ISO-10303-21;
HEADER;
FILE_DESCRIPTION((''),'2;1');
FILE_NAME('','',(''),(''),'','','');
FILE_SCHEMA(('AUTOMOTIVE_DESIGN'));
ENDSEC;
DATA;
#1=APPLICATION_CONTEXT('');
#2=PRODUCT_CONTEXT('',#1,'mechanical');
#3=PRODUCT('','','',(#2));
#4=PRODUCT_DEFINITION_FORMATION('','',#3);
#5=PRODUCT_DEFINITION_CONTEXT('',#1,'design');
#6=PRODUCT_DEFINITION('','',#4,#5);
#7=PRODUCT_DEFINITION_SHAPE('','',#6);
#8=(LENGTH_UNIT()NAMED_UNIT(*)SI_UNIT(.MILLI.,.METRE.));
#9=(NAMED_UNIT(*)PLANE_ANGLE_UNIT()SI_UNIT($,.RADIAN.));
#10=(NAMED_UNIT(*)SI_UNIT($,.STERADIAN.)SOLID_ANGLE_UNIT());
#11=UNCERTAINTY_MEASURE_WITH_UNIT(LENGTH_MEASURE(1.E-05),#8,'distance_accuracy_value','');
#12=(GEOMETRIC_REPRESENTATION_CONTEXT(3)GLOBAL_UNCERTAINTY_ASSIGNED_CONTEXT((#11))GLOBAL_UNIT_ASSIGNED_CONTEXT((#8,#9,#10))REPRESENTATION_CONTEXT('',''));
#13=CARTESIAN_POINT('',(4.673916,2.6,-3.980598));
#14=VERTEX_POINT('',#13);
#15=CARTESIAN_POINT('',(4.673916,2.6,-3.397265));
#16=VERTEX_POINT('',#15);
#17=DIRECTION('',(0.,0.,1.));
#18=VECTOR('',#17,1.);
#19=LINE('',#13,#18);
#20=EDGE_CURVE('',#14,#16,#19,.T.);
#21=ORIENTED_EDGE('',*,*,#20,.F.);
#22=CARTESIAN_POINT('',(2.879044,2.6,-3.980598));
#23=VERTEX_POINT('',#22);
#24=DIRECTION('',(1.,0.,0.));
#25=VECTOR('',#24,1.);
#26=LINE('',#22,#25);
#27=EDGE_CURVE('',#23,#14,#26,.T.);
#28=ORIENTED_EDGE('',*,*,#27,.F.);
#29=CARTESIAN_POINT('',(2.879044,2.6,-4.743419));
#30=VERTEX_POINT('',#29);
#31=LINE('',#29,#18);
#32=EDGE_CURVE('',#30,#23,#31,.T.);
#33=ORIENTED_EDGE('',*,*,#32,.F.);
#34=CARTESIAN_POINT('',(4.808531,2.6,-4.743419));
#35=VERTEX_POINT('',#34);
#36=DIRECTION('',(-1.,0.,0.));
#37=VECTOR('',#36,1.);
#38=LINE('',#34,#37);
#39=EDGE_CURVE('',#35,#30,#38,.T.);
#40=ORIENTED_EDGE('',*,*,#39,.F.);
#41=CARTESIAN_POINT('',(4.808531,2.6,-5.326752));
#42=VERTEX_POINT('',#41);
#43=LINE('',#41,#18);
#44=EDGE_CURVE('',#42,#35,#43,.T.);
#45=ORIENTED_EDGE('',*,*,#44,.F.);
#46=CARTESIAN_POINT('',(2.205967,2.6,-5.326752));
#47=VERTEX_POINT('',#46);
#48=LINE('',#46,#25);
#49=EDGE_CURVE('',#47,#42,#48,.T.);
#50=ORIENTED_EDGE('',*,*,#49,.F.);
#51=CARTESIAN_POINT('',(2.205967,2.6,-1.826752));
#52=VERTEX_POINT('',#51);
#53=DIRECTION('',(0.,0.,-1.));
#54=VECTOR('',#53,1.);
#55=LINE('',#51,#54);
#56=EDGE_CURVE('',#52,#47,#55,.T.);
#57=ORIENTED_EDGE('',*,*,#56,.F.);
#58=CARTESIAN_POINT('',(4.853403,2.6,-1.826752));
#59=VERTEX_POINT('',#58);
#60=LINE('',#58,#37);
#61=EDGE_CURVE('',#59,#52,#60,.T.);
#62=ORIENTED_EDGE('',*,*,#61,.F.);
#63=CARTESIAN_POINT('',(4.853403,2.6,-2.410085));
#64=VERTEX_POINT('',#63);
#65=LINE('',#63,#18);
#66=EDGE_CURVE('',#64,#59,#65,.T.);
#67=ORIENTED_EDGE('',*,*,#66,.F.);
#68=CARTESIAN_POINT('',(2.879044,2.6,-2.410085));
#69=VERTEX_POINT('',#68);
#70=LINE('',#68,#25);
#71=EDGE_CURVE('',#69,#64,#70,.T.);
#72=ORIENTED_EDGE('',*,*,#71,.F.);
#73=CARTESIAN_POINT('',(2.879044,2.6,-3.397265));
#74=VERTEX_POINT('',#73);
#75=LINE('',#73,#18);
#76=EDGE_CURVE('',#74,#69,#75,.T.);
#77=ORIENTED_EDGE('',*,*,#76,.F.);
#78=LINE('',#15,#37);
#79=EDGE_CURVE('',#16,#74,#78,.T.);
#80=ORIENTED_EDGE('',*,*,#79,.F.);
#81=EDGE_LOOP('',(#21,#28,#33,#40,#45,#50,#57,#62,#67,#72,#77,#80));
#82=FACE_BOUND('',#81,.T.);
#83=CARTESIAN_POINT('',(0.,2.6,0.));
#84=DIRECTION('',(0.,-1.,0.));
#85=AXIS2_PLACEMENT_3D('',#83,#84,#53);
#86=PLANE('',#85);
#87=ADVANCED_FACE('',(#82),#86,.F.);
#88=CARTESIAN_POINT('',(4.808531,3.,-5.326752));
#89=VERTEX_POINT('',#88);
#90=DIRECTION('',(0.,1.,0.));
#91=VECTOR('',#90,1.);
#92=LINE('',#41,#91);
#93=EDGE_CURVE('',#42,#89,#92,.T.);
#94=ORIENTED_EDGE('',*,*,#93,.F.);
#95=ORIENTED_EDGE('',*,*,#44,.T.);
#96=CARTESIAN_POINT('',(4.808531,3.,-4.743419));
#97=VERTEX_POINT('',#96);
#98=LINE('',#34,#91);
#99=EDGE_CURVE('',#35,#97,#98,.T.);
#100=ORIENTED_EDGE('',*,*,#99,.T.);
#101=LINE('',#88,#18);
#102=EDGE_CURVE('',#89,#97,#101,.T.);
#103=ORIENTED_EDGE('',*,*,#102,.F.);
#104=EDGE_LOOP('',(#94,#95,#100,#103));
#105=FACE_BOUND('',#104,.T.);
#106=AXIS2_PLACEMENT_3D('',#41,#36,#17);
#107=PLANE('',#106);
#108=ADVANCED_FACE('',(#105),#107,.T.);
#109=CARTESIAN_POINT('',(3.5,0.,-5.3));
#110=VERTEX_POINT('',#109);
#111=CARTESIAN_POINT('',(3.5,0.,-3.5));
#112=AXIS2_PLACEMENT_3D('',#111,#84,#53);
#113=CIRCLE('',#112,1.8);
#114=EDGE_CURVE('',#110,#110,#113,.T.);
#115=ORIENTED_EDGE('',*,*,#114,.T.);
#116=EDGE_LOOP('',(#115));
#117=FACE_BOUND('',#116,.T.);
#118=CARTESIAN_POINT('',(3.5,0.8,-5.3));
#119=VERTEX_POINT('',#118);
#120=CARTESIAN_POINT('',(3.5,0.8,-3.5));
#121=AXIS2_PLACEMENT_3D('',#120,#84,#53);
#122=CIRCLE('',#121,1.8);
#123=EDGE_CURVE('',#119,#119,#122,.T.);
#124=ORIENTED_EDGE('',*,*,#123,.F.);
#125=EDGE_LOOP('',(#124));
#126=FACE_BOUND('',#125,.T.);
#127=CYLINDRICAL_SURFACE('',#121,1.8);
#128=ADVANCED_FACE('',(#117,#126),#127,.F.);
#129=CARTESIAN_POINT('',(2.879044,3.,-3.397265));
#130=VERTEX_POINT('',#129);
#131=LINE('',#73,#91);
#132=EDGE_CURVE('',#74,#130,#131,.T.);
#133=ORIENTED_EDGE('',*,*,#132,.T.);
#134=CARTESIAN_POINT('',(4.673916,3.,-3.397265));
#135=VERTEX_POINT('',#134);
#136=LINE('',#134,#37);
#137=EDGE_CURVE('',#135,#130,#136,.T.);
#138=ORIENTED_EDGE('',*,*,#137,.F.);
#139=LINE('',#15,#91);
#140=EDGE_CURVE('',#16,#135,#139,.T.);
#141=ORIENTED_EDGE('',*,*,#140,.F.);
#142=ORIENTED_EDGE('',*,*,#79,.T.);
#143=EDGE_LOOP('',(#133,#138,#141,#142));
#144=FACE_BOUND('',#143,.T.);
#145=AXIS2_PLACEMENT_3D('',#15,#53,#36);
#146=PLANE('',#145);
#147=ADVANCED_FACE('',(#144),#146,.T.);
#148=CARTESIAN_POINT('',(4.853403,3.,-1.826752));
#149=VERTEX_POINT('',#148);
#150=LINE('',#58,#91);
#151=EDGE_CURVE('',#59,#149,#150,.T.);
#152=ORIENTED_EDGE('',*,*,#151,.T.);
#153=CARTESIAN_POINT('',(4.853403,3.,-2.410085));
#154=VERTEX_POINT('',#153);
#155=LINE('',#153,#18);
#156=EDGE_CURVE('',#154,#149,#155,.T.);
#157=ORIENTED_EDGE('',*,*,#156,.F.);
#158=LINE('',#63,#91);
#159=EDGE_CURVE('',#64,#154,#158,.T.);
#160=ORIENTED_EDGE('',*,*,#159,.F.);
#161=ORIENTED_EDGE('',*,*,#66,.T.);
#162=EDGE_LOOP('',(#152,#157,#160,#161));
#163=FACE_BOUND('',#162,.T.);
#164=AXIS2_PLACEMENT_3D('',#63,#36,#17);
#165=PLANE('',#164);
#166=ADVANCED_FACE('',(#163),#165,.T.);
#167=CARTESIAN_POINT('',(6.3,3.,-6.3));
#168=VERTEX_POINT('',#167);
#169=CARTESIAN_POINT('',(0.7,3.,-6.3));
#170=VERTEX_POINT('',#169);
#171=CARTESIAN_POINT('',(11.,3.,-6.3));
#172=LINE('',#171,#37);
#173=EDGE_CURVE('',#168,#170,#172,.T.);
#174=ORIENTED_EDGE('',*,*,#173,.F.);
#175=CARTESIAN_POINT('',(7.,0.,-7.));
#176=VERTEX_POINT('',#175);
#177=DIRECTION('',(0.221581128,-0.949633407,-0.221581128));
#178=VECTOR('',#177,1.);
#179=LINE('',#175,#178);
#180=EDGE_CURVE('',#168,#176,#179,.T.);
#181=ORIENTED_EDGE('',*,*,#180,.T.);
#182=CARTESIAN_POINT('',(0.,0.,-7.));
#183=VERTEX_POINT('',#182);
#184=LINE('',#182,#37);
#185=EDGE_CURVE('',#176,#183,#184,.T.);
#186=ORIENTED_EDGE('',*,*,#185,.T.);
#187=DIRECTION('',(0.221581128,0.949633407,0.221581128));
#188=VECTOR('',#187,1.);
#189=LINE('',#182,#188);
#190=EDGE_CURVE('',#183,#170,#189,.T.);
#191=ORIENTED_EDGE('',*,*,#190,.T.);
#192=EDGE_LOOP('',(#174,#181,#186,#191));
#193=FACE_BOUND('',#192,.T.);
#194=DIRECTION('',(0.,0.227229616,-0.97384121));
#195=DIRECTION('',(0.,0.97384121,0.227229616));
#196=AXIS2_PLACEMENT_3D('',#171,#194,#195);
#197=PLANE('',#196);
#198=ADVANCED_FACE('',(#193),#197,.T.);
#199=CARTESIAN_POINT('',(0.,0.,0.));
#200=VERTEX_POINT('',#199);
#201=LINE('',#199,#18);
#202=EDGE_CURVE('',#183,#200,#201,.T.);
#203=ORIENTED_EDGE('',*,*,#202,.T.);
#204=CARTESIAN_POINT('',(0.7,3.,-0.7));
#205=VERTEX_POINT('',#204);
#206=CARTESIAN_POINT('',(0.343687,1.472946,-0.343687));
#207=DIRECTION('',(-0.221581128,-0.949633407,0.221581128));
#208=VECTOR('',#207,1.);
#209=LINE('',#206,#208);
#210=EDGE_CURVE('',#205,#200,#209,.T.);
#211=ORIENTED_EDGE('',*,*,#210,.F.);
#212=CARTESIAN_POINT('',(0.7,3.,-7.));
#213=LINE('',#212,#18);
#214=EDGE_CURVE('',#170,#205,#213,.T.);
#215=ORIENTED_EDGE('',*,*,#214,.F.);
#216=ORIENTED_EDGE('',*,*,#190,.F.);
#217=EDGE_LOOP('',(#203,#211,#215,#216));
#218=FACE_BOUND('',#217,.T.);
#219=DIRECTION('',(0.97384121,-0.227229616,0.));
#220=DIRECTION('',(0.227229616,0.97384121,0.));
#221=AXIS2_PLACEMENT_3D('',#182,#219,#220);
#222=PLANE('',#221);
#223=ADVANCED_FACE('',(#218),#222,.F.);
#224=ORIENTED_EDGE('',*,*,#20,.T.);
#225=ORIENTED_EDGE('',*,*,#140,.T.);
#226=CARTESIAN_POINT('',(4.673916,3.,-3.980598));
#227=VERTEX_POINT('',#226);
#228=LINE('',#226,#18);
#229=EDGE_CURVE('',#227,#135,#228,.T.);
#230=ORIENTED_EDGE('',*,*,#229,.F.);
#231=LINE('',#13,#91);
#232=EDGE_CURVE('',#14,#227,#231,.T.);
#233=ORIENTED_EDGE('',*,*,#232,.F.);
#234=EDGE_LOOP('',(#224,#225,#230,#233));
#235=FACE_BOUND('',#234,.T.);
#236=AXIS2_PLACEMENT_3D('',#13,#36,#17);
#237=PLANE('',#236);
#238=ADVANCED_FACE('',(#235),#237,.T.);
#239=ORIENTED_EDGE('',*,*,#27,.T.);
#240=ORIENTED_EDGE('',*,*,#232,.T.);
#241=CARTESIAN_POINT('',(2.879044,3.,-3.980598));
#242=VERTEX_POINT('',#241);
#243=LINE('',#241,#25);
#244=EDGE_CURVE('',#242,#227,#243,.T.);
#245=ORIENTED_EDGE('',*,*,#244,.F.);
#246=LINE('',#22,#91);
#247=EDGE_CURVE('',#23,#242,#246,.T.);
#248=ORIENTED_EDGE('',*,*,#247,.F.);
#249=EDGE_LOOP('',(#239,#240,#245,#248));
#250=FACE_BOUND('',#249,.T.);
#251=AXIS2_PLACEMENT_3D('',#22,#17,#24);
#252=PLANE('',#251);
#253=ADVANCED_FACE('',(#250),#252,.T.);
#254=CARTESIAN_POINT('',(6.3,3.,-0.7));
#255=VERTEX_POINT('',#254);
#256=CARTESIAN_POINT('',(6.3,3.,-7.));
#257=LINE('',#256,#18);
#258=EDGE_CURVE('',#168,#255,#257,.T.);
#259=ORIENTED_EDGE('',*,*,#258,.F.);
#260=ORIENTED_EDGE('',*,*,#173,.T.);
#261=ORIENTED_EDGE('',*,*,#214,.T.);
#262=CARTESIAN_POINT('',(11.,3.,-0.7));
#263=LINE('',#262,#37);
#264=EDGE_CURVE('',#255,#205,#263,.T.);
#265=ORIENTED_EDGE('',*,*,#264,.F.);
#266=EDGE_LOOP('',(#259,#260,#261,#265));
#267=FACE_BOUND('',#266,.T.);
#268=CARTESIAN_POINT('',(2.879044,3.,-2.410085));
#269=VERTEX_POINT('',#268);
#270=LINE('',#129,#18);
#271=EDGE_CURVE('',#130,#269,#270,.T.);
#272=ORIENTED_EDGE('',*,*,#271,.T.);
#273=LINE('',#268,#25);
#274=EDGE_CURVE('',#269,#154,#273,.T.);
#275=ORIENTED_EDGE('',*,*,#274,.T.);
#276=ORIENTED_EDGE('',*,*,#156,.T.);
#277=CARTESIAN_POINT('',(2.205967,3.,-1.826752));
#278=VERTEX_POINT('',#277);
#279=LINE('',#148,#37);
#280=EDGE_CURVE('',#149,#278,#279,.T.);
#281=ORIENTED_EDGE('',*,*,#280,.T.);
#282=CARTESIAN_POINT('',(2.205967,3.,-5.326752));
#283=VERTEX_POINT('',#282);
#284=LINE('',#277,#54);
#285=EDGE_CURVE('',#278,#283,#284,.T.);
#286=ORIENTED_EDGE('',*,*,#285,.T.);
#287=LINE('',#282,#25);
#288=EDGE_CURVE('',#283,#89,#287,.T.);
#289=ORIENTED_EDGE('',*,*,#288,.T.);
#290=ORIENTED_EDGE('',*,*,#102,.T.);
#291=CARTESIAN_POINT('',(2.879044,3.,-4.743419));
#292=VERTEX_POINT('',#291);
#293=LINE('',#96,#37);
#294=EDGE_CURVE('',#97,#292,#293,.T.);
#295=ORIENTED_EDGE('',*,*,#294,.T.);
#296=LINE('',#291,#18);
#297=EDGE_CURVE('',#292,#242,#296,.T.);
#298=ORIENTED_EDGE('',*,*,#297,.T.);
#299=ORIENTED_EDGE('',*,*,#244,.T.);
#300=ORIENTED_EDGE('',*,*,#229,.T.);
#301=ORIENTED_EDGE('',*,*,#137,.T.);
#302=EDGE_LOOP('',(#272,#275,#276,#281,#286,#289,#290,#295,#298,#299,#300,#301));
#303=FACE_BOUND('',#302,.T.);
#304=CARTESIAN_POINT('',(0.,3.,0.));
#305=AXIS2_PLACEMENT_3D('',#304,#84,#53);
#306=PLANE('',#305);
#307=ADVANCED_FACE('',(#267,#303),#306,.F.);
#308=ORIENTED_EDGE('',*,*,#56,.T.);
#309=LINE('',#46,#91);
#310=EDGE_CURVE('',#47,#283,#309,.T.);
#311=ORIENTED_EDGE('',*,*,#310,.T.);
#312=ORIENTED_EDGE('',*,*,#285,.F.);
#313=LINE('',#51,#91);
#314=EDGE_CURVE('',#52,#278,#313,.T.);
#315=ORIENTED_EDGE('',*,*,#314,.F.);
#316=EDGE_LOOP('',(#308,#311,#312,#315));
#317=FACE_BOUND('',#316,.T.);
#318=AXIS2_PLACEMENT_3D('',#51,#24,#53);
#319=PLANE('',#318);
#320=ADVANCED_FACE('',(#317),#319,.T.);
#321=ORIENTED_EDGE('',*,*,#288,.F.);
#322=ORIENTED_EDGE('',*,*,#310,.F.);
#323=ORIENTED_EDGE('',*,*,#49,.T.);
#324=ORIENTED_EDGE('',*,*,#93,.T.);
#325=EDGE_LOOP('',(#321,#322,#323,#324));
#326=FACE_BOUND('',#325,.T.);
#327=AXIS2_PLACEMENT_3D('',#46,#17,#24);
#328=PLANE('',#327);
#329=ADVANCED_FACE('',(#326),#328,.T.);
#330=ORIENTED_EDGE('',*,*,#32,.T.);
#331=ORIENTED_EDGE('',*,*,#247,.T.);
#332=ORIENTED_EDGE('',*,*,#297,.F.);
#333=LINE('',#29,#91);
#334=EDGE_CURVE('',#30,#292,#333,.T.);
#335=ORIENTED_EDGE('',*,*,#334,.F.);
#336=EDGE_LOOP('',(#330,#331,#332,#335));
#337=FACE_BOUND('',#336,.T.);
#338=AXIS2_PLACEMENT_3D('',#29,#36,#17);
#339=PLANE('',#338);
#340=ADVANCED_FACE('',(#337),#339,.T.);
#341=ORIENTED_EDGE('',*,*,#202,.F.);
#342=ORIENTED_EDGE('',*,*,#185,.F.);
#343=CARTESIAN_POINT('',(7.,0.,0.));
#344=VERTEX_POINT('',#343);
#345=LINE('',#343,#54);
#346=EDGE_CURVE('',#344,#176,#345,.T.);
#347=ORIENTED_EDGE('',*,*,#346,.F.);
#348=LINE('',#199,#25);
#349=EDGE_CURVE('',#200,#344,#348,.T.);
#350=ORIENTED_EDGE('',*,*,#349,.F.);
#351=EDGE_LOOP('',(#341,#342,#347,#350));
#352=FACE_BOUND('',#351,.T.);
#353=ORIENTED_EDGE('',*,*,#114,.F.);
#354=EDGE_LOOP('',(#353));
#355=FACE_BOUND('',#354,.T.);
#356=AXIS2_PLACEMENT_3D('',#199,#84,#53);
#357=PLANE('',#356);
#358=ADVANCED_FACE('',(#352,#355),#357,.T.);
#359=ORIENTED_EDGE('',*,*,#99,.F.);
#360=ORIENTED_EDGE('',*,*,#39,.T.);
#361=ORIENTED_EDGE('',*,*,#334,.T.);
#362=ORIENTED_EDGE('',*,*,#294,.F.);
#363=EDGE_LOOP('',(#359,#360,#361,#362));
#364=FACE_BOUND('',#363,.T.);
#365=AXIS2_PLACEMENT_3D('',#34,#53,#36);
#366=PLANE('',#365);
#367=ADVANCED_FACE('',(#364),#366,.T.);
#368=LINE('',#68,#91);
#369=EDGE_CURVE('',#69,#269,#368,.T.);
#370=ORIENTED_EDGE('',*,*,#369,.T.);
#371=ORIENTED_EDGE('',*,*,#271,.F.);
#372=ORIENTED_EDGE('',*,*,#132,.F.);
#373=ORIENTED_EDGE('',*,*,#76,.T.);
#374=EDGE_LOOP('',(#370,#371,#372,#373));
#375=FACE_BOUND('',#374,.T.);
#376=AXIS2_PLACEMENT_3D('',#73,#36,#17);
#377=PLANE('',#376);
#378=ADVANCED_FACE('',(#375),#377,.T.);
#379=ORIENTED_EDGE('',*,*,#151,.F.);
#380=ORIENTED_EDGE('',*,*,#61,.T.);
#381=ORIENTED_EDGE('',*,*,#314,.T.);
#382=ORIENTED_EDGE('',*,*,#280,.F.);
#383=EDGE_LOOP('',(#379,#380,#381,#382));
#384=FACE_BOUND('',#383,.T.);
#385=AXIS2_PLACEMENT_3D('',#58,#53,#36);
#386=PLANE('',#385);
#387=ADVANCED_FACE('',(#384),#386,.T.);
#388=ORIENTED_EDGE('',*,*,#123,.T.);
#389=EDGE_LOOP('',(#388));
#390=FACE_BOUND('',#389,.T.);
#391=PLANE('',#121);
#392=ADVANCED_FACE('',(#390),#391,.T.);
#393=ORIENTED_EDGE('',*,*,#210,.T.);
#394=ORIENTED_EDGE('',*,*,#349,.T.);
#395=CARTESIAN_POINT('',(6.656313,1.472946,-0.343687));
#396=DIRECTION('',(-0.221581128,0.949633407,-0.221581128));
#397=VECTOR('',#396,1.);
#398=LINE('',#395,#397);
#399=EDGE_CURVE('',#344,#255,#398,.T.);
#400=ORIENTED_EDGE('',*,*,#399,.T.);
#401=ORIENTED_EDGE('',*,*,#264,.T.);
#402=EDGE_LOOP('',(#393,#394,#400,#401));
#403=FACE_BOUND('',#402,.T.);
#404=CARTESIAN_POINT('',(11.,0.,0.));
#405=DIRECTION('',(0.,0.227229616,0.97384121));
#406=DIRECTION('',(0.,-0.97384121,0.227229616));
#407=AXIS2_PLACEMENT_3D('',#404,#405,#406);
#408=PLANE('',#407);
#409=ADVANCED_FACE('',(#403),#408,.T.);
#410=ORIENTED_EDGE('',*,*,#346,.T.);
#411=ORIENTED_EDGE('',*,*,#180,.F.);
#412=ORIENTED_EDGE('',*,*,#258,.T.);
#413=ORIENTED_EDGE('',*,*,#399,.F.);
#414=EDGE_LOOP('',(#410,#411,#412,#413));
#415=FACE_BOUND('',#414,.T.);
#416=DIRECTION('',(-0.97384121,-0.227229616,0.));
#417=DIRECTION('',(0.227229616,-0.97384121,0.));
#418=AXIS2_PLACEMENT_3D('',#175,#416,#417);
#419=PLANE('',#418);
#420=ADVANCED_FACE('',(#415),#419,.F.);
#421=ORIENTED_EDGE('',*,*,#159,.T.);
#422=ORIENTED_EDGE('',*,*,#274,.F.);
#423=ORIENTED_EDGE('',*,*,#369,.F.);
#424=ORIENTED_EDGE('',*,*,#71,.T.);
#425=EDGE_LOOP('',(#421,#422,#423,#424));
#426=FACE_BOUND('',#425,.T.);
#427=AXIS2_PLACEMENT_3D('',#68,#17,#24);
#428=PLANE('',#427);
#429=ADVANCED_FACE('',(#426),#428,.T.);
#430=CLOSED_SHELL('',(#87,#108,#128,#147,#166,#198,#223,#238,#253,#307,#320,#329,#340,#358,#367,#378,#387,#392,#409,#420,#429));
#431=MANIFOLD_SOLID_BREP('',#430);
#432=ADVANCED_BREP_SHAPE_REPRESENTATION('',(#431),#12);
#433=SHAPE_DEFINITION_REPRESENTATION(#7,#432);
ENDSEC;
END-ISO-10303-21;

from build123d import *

# Parameters (mm, degrees)
SKETCH1_W           = 7
SKETCH1_H           = 7
BOSS_EXTRUDE1_DEPTH = 3
CUT_EXTRUDE1_DEPTH  = 7
CUT_EXTRUDE2_DEPTH  = 11
SKETCH4_R           = 1.8
CUT_EXTRUDE3_DEPTH  = 0.8
CUT_EXTRUDE4_DEPTH  = 0.4


with BuildPart() as part:
    # Sketch1 → Boss-Extrude1 (new body)
    with BuildSketch(Plane(origin=(0, 0, 0), x_dir=(1, 0, 0), z_dir=(0, 1, 0))):
        with Locations((3.5, 3.5)):
            Rectangle(SKETCH1_W, SKETCH1_H)
    extrude(amount=BOSS_EXTRUDE1_DEPTH)

    # Sketch2 → Cut-Extrude1 (cut)
    with BuildSketch(Plane.XY):
        Polygon((0, 0), (0.7, 3), (0, 3), align=None)
        Polygon((7, 0), (6.3, 3), (7, 3), align=None)
    extrude(amount=-CUT_EXTRUDE1_DEPTH, mode=Mode.SUBTRACT)

    # Sketch3 → Cut-Extrude2 (cut)
    with BuildSketch(Plane(origin=(0, 0, 0), x_dir=(0, 0, -1), z_dir=(1, 0, 0))):
        Polygon((0, 0), (0.7, 3), (0, 3), align=None)
        Polygon((7, 3), (6.3, 3), (7, 0), align=None)
    extrude(amount=CUT_EXTRUDE2_DEPTH, mode=Mode.SUBTRACT)

    # Sketch4 → Cut-Extrude3 (cut)
    with BuildSketch(Plane.XZ):
        with Locations(Location((3.5, -3.5, 0), (0, 0, 270))):
            Circle(SKETCH4_R)
    extrude(amount=-CUT_EXTRUDE3_DEPTH, mode=Mode.SUBTRACT)

    # Sketch5 → Cut-Extrude4 (cut)
    with BuildSketch(Plane(origin=(0, 3, 0), x_dir=(1, 0, 0), z_dir=(0, 1, 0))):
        Polygon((2.20596729, 1.826752028), (2.20596729, 5.326752028), (4.808531392, 5.326752028), (4.808531392, 4.743418695), (2.879044213, 4.743418695), (2.879044213, 3.980598182), (4.673916008, 3.980598182), (4.673916008, 3.397264848), (2.879044213, 3.397264848), (2.879044213, 2.410085361), (4.853403187, 2.410085361), (4.853403187, 1.826752028), align=None)
    extrude(amount=-CUT_EXTRUDE4_DEPTH, mode=Mode.SUBTRACT)


solid = part.part
